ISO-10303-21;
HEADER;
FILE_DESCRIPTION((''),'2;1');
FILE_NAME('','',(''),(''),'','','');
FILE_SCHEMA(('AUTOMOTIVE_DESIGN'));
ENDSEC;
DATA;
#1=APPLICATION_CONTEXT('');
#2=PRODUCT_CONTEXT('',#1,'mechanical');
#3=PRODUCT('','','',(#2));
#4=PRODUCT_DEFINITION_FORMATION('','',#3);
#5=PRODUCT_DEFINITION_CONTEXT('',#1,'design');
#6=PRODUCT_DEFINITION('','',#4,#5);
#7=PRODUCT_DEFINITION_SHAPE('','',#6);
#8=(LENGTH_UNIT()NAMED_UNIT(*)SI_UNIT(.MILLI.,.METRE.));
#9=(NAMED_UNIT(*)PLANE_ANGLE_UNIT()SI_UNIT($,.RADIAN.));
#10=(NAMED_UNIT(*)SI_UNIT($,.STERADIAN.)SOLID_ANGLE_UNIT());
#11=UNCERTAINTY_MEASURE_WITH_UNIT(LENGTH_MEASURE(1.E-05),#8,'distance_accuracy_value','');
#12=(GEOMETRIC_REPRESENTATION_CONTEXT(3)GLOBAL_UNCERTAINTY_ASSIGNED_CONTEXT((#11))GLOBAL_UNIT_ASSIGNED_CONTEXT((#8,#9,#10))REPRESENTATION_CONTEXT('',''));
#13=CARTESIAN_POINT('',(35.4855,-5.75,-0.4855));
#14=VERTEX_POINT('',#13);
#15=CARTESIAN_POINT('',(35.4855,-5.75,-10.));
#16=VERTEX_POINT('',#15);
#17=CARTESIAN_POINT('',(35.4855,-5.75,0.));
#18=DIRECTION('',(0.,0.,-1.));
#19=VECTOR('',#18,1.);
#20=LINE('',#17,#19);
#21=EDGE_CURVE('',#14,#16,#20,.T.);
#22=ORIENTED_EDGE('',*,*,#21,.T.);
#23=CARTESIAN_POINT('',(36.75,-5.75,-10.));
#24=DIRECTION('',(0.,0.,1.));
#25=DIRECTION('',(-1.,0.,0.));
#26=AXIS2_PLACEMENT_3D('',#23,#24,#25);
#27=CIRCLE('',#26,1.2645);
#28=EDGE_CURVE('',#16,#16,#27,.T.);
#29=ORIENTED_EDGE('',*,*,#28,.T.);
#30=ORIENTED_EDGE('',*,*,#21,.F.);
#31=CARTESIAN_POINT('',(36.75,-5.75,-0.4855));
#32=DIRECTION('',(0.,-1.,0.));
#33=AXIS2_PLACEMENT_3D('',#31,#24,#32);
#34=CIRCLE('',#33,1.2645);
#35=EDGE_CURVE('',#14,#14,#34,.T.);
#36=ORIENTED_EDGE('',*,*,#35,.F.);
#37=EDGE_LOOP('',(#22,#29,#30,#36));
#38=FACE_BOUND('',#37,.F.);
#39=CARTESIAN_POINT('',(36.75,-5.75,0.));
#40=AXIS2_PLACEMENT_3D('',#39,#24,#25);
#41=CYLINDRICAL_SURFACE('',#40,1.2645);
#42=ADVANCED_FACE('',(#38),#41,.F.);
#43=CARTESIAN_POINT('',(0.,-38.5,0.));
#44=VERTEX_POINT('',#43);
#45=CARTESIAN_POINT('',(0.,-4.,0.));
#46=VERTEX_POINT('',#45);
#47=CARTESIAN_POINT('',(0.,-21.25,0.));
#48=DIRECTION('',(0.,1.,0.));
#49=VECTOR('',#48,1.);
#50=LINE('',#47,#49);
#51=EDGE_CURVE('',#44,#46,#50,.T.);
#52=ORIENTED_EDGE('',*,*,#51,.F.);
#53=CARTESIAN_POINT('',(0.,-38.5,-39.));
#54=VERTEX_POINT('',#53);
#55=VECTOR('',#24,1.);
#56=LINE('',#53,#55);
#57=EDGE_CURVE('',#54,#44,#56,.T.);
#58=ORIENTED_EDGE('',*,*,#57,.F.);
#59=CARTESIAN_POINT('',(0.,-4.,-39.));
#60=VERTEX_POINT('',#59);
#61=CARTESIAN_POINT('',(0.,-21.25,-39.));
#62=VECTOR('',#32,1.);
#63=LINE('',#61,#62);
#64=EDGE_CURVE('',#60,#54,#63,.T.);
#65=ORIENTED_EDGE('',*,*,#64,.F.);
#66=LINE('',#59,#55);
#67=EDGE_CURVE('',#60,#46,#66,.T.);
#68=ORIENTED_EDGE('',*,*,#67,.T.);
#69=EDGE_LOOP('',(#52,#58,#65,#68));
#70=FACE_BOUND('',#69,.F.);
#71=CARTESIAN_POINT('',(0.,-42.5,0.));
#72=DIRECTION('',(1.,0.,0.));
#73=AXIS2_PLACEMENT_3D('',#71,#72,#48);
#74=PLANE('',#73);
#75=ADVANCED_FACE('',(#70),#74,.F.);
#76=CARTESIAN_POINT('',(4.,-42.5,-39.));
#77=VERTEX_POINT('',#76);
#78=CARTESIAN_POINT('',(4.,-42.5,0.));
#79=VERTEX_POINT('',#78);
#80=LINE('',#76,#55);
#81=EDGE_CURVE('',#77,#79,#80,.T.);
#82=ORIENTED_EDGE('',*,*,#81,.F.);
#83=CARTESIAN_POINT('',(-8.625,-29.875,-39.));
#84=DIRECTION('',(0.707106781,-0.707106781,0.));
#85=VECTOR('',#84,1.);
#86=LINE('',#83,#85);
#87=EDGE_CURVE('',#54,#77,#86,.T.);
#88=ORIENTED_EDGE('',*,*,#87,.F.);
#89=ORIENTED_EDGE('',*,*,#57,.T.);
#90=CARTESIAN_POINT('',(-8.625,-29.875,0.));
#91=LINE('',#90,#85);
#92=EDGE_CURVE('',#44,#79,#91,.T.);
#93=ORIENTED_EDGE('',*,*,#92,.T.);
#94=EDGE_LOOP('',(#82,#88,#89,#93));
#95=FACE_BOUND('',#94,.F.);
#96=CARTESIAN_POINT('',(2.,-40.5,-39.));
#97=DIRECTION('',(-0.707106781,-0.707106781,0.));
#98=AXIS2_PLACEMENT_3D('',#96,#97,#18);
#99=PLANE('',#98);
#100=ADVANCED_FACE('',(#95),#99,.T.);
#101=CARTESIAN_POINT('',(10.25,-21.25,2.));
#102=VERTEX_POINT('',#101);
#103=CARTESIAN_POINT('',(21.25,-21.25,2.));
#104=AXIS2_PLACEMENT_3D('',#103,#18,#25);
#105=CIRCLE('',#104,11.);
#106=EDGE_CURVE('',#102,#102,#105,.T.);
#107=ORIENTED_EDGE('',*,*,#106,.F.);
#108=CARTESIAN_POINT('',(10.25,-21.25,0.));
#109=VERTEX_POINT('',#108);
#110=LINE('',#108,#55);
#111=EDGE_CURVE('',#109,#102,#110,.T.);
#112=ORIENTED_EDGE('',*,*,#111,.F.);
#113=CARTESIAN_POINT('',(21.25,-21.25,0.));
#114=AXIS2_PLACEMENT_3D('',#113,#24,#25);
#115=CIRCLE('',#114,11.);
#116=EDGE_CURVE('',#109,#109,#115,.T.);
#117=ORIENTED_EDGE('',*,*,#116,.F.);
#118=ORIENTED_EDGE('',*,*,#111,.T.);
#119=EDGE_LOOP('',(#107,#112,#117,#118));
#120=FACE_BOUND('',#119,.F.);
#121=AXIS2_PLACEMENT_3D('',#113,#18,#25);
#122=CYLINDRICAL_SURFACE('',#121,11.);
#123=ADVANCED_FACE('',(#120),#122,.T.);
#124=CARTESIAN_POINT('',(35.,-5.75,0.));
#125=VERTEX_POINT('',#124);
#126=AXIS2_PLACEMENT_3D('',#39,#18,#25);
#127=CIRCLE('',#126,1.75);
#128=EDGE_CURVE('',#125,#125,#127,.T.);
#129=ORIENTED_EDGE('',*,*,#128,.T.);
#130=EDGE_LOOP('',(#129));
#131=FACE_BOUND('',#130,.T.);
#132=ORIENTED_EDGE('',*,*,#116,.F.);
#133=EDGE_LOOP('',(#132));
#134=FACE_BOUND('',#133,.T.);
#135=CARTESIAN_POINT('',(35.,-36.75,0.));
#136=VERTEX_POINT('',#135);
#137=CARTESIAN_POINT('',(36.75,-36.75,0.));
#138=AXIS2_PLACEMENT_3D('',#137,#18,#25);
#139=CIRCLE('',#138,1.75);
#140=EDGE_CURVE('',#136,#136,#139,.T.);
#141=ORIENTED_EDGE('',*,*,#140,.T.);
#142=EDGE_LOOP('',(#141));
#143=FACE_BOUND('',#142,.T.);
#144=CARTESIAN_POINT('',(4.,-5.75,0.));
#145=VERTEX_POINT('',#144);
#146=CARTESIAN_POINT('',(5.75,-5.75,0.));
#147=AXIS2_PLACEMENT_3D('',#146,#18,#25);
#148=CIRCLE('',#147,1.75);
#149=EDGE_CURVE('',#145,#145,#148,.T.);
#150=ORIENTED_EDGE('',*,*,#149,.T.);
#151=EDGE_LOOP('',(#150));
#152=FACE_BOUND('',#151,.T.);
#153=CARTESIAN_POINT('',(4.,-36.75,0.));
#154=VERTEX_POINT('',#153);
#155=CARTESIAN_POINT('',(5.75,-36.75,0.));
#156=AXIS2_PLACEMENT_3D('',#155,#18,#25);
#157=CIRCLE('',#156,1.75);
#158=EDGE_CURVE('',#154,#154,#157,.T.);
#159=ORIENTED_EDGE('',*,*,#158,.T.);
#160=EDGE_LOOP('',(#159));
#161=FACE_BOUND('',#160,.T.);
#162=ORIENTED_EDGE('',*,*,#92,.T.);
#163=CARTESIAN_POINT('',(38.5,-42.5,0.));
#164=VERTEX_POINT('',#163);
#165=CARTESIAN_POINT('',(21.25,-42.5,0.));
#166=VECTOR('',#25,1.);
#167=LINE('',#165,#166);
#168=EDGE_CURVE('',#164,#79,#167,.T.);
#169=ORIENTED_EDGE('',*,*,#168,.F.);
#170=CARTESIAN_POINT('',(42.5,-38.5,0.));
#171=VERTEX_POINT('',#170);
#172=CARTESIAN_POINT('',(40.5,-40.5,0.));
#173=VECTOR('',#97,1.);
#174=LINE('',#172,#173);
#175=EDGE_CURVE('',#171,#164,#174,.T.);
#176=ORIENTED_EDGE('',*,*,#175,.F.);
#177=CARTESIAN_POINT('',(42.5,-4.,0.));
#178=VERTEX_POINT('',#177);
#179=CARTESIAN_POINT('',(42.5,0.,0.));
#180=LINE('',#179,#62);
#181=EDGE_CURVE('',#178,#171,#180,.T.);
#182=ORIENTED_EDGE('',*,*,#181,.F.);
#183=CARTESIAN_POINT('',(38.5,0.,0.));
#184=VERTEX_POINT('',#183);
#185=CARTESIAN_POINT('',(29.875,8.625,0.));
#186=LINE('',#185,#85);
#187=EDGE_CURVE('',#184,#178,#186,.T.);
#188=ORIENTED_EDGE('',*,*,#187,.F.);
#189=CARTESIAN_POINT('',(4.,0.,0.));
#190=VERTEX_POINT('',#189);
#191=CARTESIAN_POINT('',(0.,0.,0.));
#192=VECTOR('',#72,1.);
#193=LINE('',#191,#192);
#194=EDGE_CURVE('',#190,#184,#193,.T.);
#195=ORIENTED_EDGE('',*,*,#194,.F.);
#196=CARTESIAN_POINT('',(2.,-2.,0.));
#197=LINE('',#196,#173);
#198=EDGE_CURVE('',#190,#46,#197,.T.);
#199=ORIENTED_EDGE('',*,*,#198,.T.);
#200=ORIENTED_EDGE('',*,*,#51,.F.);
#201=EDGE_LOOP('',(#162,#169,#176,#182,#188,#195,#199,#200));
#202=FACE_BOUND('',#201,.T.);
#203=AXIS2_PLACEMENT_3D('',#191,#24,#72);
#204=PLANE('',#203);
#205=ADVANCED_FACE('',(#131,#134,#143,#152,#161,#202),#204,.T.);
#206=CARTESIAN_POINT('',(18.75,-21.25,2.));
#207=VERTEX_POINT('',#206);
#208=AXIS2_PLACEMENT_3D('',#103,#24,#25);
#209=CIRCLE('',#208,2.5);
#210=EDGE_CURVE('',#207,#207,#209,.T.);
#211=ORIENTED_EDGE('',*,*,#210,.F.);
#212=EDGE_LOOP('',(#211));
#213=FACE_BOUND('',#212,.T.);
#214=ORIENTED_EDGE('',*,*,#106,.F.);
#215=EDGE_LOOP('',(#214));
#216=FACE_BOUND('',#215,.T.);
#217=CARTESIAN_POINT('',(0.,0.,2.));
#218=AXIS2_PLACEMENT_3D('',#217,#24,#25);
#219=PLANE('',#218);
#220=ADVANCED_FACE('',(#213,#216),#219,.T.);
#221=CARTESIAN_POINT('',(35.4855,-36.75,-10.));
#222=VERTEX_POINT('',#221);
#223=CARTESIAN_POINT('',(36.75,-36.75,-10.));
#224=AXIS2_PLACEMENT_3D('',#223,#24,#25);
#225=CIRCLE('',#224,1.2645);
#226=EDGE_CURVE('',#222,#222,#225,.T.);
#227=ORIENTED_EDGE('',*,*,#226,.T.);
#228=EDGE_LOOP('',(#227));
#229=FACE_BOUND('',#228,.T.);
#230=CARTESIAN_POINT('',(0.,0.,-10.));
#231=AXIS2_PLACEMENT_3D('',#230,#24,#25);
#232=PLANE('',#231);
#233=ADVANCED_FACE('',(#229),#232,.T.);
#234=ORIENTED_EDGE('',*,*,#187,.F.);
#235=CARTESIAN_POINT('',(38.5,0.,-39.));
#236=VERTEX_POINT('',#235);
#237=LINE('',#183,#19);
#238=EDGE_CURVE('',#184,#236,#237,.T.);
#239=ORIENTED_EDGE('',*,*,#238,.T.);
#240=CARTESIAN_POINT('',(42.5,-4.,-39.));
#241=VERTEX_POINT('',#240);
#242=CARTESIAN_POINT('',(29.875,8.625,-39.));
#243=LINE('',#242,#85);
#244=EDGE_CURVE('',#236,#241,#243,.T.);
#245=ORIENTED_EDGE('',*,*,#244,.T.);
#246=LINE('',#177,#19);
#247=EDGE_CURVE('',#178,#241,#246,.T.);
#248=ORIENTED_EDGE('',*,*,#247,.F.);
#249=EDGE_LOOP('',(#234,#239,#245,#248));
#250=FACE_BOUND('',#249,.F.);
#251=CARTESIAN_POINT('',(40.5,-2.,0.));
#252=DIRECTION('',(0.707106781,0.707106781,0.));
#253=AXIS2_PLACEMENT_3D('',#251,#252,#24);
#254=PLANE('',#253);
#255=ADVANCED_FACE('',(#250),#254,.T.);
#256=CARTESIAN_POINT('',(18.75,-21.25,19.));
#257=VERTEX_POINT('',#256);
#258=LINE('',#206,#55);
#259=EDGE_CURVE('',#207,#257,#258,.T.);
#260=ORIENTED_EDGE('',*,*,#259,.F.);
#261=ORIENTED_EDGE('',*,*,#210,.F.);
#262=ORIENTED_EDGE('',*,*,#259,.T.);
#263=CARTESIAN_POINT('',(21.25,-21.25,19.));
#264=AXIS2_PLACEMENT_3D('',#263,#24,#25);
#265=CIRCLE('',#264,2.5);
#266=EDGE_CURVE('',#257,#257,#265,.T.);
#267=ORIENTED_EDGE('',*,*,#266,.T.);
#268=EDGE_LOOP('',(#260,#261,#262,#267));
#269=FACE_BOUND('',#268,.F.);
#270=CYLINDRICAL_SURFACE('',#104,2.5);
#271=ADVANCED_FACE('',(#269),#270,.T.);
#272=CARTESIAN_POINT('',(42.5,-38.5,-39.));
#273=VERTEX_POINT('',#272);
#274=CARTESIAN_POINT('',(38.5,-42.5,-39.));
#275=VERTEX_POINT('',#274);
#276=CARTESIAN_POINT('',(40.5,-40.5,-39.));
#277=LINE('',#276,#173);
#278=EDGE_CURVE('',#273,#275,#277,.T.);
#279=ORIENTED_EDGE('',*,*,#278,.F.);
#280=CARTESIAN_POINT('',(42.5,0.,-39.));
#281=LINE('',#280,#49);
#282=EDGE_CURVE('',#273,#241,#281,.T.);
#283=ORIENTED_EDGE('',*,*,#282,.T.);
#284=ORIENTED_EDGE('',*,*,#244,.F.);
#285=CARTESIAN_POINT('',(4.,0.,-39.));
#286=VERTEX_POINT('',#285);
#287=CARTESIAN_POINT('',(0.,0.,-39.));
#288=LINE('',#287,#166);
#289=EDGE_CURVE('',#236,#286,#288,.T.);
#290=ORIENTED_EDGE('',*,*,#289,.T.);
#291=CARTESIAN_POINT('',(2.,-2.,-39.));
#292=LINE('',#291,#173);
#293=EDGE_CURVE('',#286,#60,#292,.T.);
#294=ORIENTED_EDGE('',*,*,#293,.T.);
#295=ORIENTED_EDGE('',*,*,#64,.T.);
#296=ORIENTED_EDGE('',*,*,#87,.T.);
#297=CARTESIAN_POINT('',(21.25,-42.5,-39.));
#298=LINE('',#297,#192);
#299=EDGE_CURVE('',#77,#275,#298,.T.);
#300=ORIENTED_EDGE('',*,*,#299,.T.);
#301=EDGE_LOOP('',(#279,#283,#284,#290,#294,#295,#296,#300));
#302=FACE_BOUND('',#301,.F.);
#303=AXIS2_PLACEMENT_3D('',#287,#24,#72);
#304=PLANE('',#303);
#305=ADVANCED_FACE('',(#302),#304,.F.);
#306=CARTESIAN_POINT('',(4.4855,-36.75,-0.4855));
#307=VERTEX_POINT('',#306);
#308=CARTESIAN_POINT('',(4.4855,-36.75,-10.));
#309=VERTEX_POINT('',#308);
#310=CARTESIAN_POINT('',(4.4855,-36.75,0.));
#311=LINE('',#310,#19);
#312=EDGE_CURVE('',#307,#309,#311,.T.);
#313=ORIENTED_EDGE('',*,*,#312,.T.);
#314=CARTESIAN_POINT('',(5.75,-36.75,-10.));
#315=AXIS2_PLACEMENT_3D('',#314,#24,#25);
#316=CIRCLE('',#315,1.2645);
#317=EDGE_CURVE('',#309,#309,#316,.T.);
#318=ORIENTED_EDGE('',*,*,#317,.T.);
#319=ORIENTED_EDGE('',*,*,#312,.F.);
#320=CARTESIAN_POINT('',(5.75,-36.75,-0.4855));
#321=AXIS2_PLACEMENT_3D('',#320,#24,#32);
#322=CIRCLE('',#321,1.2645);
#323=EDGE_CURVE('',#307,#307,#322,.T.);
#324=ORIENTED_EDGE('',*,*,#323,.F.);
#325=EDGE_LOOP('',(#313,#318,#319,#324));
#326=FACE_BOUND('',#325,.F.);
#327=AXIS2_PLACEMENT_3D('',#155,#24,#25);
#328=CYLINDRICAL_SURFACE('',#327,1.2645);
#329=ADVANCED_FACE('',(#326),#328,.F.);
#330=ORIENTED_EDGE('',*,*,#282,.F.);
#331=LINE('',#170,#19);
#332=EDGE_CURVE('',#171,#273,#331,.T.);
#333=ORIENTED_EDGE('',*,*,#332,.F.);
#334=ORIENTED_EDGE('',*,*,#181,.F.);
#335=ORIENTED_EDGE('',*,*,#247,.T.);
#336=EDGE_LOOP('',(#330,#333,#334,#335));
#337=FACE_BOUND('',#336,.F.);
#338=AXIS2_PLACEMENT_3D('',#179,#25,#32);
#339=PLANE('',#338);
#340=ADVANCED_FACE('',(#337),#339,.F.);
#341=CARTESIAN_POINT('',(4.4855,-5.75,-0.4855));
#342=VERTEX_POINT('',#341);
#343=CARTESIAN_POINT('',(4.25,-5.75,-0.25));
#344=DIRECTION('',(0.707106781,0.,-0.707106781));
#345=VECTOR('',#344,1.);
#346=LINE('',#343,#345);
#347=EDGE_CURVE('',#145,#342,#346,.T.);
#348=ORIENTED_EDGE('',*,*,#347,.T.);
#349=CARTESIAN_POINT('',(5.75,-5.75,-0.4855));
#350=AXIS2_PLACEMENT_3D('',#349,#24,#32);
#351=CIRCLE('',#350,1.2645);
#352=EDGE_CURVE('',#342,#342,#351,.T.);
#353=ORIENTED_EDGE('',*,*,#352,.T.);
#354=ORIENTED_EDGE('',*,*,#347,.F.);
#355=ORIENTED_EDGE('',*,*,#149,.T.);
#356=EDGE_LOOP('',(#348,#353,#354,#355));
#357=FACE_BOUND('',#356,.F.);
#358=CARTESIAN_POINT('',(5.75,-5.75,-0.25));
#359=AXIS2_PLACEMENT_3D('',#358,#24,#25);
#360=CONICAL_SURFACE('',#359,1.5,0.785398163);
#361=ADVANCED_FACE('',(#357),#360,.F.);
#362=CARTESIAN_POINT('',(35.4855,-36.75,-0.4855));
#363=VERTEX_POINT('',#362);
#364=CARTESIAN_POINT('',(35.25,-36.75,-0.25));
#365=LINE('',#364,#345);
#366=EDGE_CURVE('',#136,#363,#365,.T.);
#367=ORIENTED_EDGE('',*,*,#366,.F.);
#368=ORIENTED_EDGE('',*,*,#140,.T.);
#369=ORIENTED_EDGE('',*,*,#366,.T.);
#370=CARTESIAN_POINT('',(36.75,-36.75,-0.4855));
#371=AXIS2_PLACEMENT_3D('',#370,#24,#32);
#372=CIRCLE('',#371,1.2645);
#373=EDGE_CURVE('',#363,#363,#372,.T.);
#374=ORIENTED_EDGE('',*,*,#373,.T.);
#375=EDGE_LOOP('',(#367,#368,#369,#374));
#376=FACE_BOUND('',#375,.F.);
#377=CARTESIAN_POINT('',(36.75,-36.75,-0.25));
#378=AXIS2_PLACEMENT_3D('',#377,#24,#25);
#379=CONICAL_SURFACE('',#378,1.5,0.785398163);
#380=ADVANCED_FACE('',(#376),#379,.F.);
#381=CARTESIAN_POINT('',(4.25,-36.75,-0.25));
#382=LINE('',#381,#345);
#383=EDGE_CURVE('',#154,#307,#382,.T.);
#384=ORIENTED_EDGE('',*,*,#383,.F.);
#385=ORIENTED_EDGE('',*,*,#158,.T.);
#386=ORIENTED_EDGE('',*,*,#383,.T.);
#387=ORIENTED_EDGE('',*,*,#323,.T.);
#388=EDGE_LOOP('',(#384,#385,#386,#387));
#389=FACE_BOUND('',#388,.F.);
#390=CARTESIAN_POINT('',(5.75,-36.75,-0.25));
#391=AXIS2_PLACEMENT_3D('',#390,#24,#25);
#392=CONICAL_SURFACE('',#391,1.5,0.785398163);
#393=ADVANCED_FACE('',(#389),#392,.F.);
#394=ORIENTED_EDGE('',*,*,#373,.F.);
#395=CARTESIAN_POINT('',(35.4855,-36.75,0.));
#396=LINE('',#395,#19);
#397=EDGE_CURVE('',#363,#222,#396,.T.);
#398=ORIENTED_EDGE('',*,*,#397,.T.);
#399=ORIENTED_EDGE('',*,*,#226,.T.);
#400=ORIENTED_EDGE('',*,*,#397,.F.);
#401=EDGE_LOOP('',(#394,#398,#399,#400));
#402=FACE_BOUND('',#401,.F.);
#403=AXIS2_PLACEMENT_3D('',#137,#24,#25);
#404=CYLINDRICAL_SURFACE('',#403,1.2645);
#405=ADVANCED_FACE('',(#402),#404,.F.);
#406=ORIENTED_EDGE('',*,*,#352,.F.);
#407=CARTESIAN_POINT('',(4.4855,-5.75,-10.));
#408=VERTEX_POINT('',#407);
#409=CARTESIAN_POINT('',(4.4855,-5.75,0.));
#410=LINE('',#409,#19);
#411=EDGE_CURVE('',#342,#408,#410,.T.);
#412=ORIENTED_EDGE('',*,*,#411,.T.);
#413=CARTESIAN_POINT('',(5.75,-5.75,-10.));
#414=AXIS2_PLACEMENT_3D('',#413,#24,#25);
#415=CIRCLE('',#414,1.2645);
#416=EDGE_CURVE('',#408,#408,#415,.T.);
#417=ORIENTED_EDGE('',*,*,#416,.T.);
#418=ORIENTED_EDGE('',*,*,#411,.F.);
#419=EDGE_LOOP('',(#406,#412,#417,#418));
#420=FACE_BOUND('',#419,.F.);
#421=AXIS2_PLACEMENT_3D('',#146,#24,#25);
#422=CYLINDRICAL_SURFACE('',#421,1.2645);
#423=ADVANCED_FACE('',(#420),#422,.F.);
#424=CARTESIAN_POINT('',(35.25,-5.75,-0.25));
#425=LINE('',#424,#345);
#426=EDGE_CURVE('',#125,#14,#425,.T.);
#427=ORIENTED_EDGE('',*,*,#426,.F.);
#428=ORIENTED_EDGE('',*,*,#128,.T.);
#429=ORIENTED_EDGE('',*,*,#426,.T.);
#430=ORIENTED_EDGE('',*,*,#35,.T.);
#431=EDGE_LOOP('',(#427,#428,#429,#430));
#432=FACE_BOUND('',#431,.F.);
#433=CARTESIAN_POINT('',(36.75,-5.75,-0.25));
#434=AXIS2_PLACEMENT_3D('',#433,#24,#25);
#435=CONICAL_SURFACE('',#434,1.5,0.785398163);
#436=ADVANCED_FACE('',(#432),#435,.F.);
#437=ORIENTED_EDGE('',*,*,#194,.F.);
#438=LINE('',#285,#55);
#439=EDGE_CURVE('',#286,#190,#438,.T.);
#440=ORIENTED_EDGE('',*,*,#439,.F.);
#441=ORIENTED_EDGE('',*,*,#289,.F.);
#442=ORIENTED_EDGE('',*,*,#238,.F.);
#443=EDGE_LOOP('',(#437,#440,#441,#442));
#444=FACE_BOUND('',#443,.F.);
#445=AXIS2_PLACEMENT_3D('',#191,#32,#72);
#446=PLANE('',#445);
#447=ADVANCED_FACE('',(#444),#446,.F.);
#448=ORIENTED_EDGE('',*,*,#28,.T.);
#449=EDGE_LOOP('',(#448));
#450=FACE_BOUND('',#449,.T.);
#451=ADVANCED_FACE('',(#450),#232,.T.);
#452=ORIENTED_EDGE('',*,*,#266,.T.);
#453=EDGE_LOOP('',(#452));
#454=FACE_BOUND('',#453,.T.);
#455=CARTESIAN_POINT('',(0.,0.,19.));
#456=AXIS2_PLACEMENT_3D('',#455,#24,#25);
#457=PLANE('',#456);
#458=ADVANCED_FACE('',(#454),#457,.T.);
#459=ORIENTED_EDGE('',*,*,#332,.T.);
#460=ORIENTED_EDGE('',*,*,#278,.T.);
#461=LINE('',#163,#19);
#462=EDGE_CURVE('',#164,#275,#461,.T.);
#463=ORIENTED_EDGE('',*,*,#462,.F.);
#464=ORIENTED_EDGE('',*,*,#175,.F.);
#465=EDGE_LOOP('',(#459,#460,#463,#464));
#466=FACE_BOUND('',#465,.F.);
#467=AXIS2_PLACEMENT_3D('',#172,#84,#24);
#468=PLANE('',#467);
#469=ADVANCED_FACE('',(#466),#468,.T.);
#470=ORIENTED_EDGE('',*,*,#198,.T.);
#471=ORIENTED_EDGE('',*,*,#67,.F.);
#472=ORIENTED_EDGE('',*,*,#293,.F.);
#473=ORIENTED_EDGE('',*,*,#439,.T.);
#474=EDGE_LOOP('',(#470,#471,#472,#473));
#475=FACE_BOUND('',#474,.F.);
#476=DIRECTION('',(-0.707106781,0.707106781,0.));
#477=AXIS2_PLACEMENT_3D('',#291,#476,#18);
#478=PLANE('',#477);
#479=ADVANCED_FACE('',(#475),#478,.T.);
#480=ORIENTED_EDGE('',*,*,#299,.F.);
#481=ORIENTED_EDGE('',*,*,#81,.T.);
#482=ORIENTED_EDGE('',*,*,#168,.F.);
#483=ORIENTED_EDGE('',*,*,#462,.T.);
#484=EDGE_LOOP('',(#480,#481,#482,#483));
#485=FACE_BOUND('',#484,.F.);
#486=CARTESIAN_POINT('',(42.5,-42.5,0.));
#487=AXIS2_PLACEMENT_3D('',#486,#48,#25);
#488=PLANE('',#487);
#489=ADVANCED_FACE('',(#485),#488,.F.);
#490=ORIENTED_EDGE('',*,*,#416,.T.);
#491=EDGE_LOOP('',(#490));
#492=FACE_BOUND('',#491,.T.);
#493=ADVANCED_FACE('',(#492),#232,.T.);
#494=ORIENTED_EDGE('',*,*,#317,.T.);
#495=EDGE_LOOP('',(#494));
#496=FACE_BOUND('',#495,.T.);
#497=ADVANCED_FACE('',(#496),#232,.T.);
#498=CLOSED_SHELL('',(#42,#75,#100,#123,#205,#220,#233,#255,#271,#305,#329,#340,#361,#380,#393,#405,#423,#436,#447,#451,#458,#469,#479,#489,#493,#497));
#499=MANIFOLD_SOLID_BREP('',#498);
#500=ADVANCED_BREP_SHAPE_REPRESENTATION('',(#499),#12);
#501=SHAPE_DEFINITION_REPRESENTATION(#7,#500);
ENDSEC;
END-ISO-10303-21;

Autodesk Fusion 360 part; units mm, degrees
sketch "Sketch1" plane through (0, 0, 0) normal (0, 0, 1) x (1, 0, 0)
  line L0 (0, 0) -> (42.5, 0)
  line L1 (42.5, 0) -> (42.5, -42.5)
  line L2 (42.5, -42.5) -> (0, -42.5)
  line L3 (0, -42.5) -> (0, 0)
  dimension "d1" = 42.5
  dimension "d2" = 42.5
extrude "Extrude1" add sketch "Sketch1" against normal blind 39
sketch "Sketch2" plane through (0, 0, 0) normal (0, 0, 1) x (-1, 0, 0)
  line L0 (0, 42.5) -> (-42.5, 42.5)
  line L1 (-42.5, 42.5) -> (-42.5, 0)
  line L2 (-42.5, 0) -> (0, 0)
  line L3 (0, 0) -> (0, 42.5)
  line L4 (0, 0) -> (-42.5, 42.5)
  line L5 (-42.5, 0) -> (0, 42.5)
  line L6 (-5.75, 5.75) -> (-36.75, 5.75)
  line L7 (-36.75, 5.75) -> (-36.75, 36.75)
  line L8 (-36.75, 36.75) -> (-5.75, 36.75)
  line L9 (-5.75, 36.75) -> (-5.75, 5.75)
  circle A0 centre (-5.75, 5.75) radius 1.5
  circle A1 centre (-36.75, 5.75) radius 1.5
  circle A2 centre (-5.75, 36.75) radius 1.5
  circle A3 centre (-36.75, 36.75) radius 1.5
  dimension "d5" = 31
  dimension "d6" = 3
  dimension "d7" = 3
  dimension "d8" = 3
  dimension "d9" = 3
extrude "Extrude2" cut sketch "Sketch2" against normal blind 10 contours L5 L9 A2 | L5 L8 A2 | L4 L8 A3 | L4 L7 A3 | L4 L6 A0 | L4 L9 A0 | L5 L9 A2 | L5 L8 A2 | L5 L7 A1 | L5 L6 A1 | L4 L8 A3 | L4 L7 A3 | L4 L6 A0 | L4 L9 A0 | L5 L7 A1 | L5 L6 A1
chamfer "Chamfer1" distance 0.25 angle 45 4 edges at (7.1485, -6.2924, 0) (38.1485, -6.2924, 0) (38.1485, -37.2924, 0) (7.1485, -37.2924, 0)
thread "Thread1" "ISO Metric profile 3.0 M3x0.5 6H" major diameter 3.086 minor diameter 2.529 pitch 0.5 angle 60 resizes the face on face at (7.1322, -37.3327, -3.5) on face at (35.3678, -37.3327, -3.5) on face at (36.3437, -7.1939, -6.75) on face at (4.2575, -5.8994, -3.5)
chamfer "Chamfer2" distance 4 angle 45 4 edges at (42.5, 0, -19.5) (0, 0, -19.5) (0, -42.5, -19.5) (42.5, -42.5, -19.5)
sketch "Sketch3" plane through (0, 0, 0) normal (0, 0, 1) x (-1, 0, 0)
  circle A0 centre (-36.75, 36.75) radius 1.75
  circle A1 centre (-5.75, 5.75) radius 1.75
  line L0 (-38.5, 42.5) -> (-42.5, 38.5)
  line L1 (-42.5, 38.5) -> (-42.5, 4)
  line L2 (-42.5, 4) -> (-38.5, 0)
  line L3 (-38.5, 0) -> (-4, 0)
  line L4 (-4, 0) -> (0, 4)
  line L5 (0, 4) -> (0, 38.5)
  line L6 (0, 38.5) -> (-4, 42.5)
  line L7 (-4, 42.5) -> (-38.5, 42.5)
  circle A2 centre (-36.75, 5.75) radius 1.75
  circle A3 centre (-5.75, 36.75) radius 1.75
  line L8 (-5.75, 5.75) -> (-36.75, 36.75)
  line L9 (-36.75, 36.75) -> (-36.75, 5.75)
  line L10 (-36.75, 5.75) -> (-5.75, 36.75)
  circle A4 centre (-21.25, 21.25) radius 11
  dimension "d14" = 22
extrude "Extrude3" add sketch "Sketch3" along normal blind 2 contours L8 L10 A4 | L8 L10 A4 | L8 L10 A4 | L8 L10 A4
sketch "Sketch4" plane through (0, 0, 2) normal (0, 0, 1) x (-1, 0, 0)
  circle A0 centre (-21.25, 21.25) radius 11
  circle A1 centre (-21.25, 21.25) radius 2.5
  dimension "d17" = 5
extrude "Extrude4" add sketch "Sketch4" along normal blind 17 contours A1
